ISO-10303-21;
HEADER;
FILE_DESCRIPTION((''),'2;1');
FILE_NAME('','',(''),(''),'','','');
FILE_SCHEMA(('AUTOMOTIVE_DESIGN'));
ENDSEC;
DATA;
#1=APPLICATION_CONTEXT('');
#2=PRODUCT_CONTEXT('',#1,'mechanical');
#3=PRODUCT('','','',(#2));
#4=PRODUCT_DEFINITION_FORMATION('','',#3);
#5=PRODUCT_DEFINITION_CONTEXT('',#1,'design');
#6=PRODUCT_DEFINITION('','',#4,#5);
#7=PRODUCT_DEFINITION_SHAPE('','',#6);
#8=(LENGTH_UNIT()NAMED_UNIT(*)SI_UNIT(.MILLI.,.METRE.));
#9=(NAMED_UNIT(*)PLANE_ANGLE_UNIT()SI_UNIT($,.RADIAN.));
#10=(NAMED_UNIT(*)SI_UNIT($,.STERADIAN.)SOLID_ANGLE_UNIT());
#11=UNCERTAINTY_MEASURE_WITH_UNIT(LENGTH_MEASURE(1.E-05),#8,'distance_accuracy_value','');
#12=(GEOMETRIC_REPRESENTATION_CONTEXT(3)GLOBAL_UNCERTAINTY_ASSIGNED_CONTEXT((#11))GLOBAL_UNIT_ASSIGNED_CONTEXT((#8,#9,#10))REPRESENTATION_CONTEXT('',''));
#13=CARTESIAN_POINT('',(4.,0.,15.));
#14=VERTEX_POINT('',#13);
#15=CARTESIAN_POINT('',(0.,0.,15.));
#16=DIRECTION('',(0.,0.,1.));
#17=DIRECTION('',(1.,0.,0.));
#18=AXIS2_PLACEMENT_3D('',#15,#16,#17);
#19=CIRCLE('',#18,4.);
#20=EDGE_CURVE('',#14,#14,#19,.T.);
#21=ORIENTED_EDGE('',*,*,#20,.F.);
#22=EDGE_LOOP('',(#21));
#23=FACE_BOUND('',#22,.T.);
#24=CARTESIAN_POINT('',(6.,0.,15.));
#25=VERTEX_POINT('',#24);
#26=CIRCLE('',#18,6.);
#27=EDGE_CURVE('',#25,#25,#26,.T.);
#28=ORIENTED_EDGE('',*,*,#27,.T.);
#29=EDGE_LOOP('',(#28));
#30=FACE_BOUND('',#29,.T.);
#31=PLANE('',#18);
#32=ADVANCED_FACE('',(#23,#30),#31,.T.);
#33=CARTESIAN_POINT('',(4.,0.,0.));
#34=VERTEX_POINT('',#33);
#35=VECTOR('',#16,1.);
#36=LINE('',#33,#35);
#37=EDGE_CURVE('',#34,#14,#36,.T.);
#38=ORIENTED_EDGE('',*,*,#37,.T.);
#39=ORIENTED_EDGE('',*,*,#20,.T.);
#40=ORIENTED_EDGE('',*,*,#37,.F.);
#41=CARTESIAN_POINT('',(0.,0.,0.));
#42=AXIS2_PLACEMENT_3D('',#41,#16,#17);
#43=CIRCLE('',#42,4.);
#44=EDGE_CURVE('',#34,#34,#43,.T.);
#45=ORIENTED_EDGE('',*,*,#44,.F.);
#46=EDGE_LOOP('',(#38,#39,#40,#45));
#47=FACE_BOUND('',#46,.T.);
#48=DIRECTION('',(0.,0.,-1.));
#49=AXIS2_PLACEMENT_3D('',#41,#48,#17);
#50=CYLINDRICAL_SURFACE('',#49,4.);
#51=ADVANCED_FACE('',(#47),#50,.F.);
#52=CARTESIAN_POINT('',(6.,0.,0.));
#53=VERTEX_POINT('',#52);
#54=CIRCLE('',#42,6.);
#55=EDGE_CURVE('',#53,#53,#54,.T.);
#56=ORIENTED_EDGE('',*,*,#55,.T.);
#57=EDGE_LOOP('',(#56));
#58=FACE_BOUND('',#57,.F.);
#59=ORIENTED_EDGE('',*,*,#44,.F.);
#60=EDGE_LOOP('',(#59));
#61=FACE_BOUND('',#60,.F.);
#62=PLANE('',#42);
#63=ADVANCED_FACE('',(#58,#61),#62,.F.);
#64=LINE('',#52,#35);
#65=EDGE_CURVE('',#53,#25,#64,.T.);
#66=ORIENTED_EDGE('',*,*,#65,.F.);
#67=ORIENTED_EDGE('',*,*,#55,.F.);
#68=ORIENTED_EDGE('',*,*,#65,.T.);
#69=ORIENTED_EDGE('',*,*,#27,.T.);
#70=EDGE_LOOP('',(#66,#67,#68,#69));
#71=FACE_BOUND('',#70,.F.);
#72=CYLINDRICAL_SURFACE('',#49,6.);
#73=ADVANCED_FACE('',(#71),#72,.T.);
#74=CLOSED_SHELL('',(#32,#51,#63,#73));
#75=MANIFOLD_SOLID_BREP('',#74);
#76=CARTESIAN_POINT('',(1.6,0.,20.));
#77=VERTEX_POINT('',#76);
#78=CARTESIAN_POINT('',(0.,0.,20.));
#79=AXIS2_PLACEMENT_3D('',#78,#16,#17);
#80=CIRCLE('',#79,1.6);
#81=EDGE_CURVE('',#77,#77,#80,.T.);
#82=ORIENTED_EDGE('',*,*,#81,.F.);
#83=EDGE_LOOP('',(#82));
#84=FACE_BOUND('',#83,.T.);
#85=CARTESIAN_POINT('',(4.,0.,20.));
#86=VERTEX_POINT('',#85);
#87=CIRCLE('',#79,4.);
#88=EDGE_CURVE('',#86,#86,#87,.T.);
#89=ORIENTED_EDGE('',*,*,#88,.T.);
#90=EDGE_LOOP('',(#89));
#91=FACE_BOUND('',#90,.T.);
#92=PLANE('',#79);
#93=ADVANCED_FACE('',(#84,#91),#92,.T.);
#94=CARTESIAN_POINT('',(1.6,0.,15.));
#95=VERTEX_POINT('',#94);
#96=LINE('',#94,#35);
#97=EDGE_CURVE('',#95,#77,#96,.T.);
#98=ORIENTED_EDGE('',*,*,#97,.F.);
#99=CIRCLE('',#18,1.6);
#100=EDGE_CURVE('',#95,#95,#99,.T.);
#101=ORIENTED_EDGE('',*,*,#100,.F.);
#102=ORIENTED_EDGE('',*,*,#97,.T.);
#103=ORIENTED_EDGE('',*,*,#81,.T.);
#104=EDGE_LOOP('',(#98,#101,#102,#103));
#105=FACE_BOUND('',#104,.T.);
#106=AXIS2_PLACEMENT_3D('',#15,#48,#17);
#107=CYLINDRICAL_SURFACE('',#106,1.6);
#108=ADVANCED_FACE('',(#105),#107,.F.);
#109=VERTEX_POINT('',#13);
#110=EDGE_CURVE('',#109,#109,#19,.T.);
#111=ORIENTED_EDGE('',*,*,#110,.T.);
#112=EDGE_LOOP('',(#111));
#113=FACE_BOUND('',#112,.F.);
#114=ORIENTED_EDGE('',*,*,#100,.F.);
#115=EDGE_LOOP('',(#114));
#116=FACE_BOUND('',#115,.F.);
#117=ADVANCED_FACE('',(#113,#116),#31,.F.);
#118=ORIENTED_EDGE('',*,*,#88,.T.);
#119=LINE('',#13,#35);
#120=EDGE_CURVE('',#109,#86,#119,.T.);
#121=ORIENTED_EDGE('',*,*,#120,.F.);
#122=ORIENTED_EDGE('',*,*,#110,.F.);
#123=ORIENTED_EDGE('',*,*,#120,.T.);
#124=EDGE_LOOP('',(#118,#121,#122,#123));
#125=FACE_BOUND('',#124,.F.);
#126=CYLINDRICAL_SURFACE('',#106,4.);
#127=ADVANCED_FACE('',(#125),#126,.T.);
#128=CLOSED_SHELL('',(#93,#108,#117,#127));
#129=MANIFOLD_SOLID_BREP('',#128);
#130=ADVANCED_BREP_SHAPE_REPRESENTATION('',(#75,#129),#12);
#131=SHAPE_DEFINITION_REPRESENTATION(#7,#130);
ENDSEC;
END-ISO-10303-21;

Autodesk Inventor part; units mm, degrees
ref_plane "YZ Plane" through (0, 0, 0) normal (1, 0, 0) x (0, 1, 0)
ref_plane "XZ Plane" through (0, 0, 0) normal (0, 1, 0) x (-1, 0, 0)
ref_plane "XY Plane" through (0, 0, 0) normal (0, 0, 1) x (1, 0, 0)
sketch "スケッチ1" plane through (0, 0, 0) normal (0, 0, 1) x (1, 0, 0)
  circle A0 centre (0, 0) radius 6
  circle A1 centre (0, 0) radius 4
  dimension "d0" = 12
  dimension "d3" = 8
extrude "押し出し1" add sketch "スケッチ1" along normal blind 15
sketch "スケッチ2" plane through (0, 0, 15) normal (0, 0, 1) x (1, 0, 0)
  circle A0 centre (0, 0) radius 6 projected
  circle A1 centre (0, 0) radius 4 projected
  circle A2 centre (0, 0) radius 1.6
  dimension "d6" = 3.2
extrude "押し出し2" add sketch "スケッチ2" along normal blind 5 contours A1
properties part number "ボディ" material "アルミニウム"
